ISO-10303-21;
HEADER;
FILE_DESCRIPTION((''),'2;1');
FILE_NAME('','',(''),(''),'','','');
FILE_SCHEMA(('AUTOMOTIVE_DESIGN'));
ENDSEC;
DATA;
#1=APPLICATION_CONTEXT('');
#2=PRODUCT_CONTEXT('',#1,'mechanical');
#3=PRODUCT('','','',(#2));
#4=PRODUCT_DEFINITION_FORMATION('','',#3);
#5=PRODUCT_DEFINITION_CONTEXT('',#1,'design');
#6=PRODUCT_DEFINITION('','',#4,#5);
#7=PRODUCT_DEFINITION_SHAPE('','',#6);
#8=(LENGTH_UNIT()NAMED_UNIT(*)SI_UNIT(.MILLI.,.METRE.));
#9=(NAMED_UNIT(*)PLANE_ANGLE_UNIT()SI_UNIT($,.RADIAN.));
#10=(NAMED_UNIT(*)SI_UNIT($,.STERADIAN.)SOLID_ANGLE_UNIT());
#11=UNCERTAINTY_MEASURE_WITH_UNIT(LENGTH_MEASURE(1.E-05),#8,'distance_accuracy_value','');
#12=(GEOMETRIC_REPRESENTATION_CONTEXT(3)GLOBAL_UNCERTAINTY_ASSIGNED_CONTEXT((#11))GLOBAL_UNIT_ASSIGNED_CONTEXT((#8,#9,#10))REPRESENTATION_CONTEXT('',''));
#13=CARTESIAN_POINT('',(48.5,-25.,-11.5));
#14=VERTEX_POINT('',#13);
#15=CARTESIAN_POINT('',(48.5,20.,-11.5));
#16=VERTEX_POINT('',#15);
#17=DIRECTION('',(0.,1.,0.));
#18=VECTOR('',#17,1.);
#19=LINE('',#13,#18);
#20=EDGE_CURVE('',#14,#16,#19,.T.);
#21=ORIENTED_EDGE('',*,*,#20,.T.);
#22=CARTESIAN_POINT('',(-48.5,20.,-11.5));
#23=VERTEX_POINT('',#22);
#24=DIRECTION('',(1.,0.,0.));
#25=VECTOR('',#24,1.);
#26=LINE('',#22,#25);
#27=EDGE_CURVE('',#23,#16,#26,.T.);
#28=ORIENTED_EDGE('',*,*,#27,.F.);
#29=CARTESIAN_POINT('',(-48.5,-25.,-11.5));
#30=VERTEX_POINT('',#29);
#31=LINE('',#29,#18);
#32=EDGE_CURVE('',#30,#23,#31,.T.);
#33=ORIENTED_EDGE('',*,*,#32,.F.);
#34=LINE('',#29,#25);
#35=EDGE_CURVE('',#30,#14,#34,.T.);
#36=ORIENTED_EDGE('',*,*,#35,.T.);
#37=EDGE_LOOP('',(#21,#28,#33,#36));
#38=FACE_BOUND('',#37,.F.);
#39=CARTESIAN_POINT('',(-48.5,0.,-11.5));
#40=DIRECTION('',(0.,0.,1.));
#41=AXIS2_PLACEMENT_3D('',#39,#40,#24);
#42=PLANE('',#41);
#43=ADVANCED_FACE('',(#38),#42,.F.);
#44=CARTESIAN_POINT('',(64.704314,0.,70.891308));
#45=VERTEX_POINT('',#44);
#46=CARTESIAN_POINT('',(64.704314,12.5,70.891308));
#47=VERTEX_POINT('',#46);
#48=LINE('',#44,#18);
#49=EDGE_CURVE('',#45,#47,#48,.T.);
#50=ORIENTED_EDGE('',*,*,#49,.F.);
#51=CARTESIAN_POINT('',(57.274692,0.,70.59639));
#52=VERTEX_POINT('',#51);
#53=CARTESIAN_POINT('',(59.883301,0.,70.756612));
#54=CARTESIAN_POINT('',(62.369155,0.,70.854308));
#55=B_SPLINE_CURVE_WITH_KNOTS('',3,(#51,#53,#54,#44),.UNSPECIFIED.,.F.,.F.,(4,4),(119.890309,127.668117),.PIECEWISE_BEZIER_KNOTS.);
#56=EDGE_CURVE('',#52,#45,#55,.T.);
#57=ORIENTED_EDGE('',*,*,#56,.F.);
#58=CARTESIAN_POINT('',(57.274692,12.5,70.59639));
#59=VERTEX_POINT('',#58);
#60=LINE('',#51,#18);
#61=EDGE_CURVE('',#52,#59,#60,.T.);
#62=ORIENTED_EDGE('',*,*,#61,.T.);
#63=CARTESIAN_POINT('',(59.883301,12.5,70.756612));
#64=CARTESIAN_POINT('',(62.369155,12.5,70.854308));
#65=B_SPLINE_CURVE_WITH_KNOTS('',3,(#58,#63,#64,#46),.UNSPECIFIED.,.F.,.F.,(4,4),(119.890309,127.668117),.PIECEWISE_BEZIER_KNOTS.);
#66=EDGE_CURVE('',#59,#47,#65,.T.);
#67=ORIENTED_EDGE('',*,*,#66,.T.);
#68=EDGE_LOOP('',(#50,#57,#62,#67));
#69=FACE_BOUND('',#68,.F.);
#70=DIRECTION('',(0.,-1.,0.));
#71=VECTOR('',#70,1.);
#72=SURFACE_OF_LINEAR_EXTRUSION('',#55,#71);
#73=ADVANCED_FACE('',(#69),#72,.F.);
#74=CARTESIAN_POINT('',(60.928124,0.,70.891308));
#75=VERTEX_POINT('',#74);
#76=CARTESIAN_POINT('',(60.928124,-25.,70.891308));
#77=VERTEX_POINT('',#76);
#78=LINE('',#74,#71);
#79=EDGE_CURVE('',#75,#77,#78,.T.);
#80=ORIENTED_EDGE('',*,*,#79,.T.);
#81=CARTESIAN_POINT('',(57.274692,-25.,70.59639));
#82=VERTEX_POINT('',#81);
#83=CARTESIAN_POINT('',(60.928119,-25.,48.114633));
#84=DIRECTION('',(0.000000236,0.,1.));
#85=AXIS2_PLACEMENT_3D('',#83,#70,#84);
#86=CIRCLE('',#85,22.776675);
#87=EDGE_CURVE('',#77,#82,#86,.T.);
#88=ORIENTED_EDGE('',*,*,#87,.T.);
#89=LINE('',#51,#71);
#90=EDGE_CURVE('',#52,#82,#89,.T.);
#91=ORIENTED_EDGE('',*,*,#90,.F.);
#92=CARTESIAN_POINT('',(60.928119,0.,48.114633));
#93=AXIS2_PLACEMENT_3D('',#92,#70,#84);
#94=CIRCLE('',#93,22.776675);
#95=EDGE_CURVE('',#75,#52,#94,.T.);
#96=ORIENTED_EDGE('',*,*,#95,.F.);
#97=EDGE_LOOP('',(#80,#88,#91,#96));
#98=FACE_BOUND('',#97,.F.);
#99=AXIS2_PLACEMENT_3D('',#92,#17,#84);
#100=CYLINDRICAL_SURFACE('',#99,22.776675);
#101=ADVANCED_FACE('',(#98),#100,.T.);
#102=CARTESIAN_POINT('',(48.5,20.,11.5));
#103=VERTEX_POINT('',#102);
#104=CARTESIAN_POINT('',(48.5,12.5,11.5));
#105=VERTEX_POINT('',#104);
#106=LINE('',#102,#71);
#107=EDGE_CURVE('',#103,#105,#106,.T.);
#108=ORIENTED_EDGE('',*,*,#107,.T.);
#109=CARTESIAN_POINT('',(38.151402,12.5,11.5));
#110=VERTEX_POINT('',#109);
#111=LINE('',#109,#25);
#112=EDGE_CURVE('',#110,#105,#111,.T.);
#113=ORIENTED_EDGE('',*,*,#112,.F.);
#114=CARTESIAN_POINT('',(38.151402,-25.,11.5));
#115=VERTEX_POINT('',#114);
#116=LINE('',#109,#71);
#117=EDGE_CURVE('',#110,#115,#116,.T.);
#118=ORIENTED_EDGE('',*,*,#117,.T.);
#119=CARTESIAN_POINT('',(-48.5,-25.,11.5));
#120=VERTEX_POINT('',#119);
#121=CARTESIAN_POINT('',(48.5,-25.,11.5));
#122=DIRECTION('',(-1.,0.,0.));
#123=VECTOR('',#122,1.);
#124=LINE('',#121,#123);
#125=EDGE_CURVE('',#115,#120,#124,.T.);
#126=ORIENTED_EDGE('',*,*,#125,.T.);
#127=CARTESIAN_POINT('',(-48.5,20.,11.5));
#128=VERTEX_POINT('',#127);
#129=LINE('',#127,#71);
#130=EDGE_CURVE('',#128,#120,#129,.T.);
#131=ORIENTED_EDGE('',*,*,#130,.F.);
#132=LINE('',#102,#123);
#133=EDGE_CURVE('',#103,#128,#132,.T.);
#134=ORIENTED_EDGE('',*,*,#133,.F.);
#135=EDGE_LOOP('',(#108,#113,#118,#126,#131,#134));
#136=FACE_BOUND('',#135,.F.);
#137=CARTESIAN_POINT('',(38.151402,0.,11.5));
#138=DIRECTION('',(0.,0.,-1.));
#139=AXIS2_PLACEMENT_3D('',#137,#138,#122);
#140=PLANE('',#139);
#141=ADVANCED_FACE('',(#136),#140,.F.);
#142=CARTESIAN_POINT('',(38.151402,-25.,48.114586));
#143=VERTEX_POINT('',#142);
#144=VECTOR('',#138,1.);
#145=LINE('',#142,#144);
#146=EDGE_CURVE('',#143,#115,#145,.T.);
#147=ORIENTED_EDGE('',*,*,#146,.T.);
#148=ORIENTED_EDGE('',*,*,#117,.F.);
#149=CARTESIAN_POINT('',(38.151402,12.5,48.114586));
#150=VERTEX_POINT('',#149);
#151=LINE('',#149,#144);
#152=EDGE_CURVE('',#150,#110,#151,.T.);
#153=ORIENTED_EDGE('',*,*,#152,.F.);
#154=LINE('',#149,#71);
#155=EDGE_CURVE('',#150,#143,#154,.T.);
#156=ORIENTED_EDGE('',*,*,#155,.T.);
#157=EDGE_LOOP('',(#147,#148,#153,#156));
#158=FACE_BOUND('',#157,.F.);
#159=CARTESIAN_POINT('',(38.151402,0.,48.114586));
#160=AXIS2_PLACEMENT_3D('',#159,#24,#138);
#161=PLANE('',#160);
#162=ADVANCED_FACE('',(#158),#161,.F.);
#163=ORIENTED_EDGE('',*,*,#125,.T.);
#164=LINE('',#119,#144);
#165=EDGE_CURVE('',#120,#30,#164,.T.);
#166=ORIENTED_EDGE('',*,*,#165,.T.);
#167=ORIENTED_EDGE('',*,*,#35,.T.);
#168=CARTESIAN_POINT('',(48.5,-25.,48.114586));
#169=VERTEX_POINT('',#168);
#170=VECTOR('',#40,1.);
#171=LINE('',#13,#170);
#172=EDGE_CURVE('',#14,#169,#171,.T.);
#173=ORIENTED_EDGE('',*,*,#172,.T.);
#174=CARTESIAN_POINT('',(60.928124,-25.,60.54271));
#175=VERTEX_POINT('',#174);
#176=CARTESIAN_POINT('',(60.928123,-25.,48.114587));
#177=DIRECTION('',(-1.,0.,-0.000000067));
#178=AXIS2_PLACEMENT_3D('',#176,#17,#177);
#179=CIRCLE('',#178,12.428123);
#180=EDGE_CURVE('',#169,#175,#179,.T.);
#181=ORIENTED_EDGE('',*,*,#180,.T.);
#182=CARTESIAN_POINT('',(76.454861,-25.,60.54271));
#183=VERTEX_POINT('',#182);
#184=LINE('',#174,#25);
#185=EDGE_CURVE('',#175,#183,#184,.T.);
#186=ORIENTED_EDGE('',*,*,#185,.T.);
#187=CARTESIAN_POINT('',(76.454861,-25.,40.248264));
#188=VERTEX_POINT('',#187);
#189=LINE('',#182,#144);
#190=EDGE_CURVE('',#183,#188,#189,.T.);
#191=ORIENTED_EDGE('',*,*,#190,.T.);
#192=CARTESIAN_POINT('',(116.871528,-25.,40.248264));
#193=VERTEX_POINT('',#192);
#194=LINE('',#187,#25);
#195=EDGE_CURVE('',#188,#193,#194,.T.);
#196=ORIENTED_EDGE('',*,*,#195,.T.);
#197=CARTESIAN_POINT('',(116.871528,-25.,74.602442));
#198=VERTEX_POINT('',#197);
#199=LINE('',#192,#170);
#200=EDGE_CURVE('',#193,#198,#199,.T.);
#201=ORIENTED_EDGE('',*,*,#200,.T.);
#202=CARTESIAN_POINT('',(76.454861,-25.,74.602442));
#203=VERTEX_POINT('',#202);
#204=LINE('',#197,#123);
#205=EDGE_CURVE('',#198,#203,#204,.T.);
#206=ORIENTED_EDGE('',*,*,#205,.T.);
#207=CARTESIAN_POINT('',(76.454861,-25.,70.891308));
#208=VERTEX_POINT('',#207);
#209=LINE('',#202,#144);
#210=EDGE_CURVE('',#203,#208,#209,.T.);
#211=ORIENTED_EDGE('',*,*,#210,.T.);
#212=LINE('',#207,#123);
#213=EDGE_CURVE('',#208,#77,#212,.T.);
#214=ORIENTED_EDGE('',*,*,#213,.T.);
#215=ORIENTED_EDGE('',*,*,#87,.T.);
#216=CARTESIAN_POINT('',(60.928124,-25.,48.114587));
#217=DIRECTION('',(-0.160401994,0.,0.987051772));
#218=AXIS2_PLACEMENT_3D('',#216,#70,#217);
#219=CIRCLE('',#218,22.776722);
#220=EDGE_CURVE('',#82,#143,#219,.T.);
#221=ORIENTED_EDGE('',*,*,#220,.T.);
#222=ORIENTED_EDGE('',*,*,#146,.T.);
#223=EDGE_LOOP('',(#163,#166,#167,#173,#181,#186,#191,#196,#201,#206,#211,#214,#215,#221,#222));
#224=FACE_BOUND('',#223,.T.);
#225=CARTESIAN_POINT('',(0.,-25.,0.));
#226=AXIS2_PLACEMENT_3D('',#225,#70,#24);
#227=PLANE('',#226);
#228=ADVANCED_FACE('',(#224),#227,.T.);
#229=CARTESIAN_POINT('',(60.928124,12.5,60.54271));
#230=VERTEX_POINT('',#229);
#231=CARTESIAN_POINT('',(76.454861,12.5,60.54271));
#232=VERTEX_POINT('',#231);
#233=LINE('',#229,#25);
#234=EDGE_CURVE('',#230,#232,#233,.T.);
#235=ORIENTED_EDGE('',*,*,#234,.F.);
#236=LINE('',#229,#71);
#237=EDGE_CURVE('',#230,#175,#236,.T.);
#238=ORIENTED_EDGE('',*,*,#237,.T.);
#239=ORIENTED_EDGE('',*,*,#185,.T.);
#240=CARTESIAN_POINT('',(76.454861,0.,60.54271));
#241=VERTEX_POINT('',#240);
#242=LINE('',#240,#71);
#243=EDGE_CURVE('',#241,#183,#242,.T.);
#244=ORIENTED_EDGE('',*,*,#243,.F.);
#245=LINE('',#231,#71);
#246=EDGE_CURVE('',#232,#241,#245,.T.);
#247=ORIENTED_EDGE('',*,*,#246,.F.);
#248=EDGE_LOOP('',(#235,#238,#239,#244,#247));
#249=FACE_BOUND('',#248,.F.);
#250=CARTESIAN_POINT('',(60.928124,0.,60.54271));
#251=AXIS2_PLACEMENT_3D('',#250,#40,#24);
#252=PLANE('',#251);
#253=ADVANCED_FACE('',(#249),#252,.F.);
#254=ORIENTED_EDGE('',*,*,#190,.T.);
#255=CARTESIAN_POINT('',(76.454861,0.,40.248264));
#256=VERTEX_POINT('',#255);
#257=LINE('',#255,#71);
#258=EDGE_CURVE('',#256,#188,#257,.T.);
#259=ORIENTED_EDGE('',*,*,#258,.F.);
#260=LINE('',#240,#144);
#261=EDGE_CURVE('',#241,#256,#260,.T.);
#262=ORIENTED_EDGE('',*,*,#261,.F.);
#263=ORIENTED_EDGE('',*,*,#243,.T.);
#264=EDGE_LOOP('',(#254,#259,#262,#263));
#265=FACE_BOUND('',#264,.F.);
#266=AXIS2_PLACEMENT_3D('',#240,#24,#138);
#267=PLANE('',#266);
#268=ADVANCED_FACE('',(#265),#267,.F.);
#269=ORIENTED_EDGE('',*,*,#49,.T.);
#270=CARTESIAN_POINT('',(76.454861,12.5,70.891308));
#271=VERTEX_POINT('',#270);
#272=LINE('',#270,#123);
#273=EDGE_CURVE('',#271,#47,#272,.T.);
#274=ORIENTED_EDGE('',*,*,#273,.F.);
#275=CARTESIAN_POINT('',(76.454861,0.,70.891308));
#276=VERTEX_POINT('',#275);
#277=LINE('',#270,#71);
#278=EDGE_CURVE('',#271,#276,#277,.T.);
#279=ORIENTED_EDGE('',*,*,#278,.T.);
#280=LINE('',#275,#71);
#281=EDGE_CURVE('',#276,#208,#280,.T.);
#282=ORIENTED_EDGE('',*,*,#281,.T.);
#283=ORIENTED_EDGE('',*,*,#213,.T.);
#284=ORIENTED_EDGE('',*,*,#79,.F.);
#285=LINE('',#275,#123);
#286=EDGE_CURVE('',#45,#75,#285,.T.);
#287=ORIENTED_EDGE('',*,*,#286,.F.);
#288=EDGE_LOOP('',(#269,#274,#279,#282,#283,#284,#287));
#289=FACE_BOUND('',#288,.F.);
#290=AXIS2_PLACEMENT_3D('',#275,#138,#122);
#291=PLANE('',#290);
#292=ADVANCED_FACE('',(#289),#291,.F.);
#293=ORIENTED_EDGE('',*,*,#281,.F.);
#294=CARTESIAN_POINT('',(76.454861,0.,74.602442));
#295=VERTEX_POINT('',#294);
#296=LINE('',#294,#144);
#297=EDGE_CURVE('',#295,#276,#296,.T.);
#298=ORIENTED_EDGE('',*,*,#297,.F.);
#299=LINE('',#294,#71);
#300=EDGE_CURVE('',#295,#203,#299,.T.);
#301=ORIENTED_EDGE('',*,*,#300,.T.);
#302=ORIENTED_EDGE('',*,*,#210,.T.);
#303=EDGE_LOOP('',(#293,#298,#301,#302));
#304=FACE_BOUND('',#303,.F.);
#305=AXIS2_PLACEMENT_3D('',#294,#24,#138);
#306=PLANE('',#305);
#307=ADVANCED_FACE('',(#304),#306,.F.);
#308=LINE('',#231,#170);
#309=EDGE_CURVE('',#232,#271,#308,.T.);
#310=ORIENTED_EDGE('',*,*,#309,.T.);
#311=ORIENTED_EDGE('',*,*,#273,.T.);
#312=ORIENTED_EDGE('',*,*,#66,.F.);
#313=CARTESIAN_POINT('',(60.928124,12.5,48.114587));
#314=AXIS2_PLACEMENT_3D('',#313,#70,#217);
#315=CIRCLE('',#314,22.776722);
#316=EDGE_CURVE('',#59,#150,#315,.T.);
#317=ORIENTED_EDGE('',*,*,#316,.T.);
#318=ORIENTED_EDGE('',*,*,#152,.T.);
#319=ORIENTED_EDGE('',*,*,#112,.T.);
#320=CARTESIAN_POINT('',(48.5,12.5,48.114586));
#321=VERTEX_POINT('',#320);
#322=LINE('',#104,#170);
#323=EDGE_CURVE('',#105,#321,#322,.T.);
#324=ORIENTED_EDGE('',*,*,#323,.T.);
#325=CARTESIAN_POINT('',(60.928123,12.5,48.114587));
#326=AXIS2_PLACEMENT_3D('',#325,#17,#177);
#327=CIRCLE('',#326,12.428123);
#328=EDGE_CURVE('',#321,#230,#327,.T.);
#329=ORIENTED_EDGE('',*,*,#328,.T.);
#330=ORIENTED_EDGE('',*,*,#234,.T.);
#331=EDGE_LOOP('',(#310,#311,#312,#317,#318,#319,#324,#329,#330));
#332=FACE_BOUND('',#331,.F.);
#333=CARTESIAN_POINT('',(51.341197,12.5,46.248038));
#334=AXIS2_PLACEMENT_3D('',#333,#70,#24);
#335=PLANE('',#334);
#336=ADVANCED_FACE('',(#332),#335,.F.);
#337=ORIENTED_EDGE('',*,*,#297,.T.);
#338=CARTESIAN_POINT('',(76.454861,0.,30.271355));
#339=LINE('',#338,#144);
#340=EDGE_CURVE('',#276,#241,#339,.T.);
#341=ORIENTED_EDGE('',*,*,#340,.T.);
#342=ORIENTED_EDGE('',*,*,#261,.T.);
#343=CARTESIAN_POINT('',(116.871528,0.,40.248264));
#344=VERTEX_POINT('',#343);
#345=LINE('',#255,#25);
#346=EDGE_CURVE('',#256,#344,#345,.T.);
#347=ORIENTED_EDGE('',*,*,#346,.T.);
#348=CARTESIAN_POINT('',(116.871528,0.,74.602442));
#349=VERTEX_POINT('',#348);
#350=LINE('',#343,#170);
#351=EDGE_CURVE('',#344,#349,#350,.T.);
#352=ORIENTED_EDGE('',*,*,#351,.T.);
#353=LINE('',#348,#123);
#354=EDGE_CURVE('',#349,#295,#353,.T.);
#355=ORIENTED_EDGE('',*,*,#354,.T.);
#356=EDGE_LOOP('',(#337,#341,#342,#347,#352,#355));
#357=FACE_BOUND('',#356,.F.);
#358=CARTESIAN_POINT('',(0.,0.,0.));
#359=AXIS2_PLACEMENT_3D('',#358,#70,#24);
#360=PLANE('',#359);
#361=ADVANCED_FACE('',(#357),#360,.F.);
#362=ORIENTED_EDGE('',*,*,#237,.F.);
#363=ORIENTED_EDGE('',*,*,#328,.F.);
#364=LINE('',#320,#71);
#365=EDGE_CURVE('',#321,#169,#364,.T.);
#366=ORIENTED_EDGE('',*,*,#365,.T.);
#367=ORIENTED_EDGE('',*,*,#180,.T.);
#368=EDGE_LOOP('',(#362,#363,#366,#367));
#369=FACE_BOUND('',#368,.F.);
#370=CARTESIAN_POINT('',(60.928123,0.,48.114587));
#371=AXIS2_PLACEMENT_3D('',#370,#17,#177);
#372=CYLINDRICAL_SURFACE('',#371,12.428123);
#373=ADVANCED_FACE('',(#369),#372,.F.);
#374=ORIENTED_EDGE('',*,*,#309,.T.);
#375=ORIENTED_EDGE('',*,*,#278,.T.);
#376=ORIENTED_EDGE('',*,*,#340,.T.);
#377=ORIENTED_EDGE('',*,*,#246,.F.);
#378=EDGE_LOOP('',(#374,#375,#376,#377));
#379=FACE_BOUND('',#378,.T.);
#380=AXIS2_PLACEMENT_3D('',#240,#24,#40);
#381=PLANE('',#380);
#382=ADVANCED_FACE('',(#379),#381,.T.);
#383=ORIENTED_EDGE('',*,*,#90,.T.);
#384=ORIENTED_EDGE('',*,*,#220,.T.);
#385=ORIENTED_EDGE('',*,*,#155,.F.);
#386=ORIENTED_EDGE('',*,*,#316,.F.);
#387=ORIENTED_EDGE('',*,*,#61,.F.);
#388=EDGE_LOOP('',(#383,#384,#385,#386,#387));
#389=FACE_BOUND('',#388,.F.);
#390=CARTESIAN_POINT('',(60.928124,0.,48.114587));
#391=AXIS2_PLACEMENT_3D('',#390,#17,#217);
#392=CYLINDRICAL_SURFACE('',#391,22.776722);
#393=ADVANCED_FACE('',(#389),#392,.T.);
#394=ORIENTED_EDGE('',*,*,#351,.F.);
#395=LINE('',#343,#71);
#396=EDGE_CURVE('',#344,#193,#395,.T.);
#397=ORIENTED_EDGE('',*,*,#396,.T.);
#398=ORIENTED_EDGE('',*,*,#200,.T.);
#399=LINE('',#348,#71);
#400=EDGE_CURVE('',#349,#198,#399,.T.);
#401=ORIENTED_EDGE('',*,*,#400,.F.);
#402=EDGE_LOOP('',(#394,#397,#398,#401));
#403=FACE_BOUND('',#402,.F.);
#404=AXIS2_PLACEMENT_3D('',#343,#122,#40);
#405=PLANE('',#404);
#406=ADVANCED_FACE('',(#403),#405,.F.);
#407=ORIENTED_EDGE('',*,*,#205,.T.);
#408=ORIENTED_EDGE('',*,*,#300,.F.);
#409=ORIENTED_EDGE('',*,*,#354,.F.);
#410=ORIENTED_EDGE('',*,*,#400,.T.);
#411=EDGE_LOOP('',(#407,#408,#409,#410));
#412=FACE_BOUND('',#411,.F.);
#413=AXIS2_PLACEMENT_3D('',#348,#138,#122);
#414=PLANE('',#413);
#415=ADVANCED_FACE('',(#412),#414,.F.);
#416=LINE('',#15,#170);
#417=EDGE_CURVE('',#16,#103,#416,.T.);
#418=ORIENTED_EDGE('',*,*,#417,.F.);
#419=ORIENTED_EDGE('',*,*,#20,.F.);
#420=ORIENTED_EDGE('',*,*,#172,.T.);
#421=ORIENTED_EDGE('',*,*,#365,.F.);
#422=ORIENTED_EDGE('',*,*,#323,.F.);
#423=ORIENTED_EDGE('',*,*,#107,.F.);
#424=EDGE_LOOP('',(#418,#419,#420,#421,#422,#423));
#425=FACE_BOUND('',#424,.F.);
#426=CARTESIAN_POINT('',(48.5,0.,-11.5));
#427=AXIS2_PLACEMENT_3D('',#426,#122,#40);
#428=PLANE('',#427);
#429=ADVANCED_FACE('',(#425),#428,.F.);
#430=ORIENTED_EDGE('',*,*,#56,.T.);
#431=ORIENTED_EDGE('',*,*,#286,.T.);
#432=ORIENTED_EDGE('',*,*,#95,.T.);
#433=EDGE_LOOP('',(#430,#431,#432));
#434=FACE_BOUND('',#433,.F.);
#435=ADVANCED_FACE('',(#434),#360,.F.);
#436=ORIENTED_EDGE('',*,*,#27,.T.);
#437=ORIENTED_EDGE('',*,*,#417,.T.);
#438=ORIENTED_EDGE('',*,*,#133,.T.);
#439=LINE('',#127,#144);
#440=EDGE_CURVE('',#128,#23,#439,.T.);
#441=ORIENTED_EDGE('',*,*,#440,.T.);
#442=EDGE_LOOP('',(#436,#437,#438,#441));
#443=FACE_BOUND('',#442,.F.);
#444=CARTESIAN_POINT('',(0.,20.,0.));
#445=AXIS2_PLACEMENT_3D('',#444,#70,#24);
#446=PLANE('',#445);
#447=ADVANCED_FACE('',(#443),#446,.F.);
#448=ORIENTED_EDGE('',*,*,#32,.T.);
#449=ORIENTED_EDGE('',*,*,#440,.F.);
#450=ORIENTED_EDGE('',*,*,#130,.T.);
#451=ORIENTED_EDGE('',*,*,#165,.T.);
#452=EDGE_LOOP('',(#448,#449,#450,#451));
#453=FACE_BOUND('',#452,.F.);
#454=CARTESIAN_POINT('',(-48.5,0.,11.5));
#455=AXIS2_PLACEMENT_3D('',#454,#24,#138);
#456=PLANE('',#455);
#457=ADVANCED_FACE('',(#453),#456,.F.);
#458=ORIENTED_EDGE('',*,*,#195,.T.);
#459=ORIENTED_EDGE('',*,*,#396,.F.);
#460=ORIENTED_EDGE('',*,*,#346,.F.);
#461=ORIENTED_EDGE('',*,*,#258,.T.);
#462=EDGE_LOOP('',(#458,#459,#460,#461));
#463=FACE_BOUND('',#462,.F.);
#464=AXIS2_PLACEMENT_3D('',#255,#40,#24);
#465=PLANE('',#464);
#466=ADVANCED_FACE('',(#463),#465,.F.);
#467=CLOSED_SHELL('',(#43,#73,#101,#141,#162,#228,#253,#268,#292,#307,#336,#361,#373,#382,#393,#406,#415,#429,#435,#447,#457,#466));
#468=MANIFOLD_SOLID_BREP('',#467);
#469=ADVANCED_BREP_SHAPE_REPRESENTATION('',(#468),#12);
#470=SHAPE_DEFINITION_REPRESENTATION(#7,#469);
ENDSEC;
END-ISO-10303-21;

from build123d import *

# Parameters (mm, degrees)
F1_DEPTH = 20
F2_DEPTH = 12.5
F3_DEPTH = 25
F4_DEPTH = 25


with BuildPart() as f1:
    # F0 (on Front) → F1 (new body, symmetric)
    with BuildSketch(Plane.XZ):
        Polygon((48.5, -11.5), (48.5, 11.5), (38.151402, 11.5), (-48.5, 11.5), (-48.5, -11.5), align=None)
    extrude(amount=F1_DEPTH, both=True)

    # F0 (on Front) → F2 (join, symmetric)
    with BuildSketch(Plane.XZ):
        with BuildLine():
            Line((38.151402, 11.5), (48.5, 11.5))
            Line((48.5, 11.5), (48.5, 48.114586))
            ThreePointArc((48.5, 48.114586), (52.140113, 56.902597), (60.928124, 60.54271))
            Line((60.928124, 60.54271), (76.454861, 60.54271))
            Line((76.454861, 60.54271), (76.454861, 70.891308))
            Line((76.454861, 70.891308), (64.704314, 70.891308))
            add(Edge.make_bspline(
                [(57.274692, 70.59639), (59.883301, 70.756612), (62.369155, 70.854308), (64.704314, 70.891308)],
                knots=[119.890309, 119.890309, 119.890309, 119.890309, 127.668117, 127.668117, 127.668117, 127.668117], degree=3))
            ThreePointArc((57.274692, 70.59639), (43.578884, 62.872057), (38.151402, 48.114586))
            Line((38.151402, 48.114586), (38.151402, 11.5))
        make_face()
    extrude(amount=F2_DEPTH, both=True)

    # F0 (on Front) → F3 (join)
    with BuildSketch(Plane.XZ):
        Polygon((48.5, -11.5), (48.5, 11.5), (38.151402, 11.5), (-48.5, 11.5), (-48.5, -11.5), align=None)
        with BuildLine():
            Line((38.151402, 11.5), (48.5, 11.5))
            Line((48.5, 11.5), (48.5, 48.114586))
            ThreePointArc((48.5, 48.114586), (52.140113, 56.902597), (60.928124, 60.54271))
            Line((60.928124, 60.54271), (76.454861, 60.54271))
            Line((76.454861, 60.54271), (76.454861, 70.891308))
            Line((76.454861, 70.891308), (64.704314, 70.891308))
            add(Edge.make_bspline(
                [(57.274692, 70.59639), (59.883301, 70.756612), (62.369155, 70.854308), (64.704314, 70.891308)],
                knots=[119.890309, 119.890309, 119.890309, 119.890309, 127.668117, 127.668117, 127.668117, 127.668117], degree=3))
            ThreePointArc((57.274692, 70.59639), (43.578884, 62.872057), (38.151402, 48.114586))
            Line((38.151402, 48.114586), (38.151402, 11.5))
        make_face()
        with BuildLine():
            ThreePointArc((60.928124, 70.891308), (59.095466, 70.817459), (57.274692, 70.59639))
            add(Edge.make_bspline(
                [(57.274692, 70.59639), (59.883301, 70.756612), (62.369155, 70.854308), (64.704314, 70.891308)],
                knots=[119.890309, 119.890309, 119.890309, 119.890309, 127.668117, 127.668117, 127.668117, 127.668117], degree=3))
            Line((64.704314, 70.891308), (60.928124, 70.891308))
        make_face()
        Polygon((76.454861, 70.891308), (76.454861, 60.54271), (76.454861, 40.248264), (116.871528, 40.248264), (116.871528, 74.602442), (76.454861, 74.602442), align=None)
    extrude(amount=F3_DEPTH)

    # F0 (on Front) → F4 (join)
    with BuildSketch(Plane.XZ):
        Polygon((48.5, -11.5), (48.5, 11.5), (38.151402, 11.5), (-48.5, 11.5), (-48.5, -11.5), align=None)
        with BuildLine():
            Line((38.151402, 11.5), (48.5, 11.5))
            Line((48.5, 11.5), (48.5, 48.114586))
            ThreePointArc((48.5, 48.114586), (52.140113, 56.902597), (60.928124, 60.54271))
            Line((60.928124, 60.54271), (76.454861, 60.54271))
            Line((76.454861, 60.54271), (76.454861, 70.891308))
            Line((76.454861, 70.891308), (64.704314, 70.891308))
            add(Edge.make_bspline(
                [(57.274692, 70.59639), (59.883301, 70.756612), (62.369155, 70.854308), (64.704314, 70.891308)],
                knots=[119.890309, 119.890309, 119.890309, 119.890309, 127.668117, 127.668117, 127.668117, 127.668117], degree=3))
            ThreePointArc((57.274692, 70.59639), (43.578884, 62.872057), (38.151402, 48.114586))
            Line((38.151402, 48.114586), (38.151402, 11.5))
        make_face()
        with BuildLine():
            ThreePointArc((60.928124, 70.891308), (59.095466, 70.817459), (57.274692, 70.59639))
            add(Edge.make_bspline(
                [(57.274692, 70.59639), (59.883301, 70.756612), (62.369155, 70.854308), (64.704314, 70.891308)],
                knots=[119.890309, 119.890309, 119.890309, 119.890309, 127.668117, 127.668117, 127.668117, 127.668117], degree=3))
            Line((64.704314, 70.891308), (60.928124, 70.891308))
        make_face()
        Polygon((76.454861, 70.891308), (76.454861, 60.54271), (76.454861, 40.248264), (116.871528, 40.248264), (116.871528, 74.602442), (76.454861, 74.602442), align=None)
    extrude(amount=F4_DEPTH)


solid = f1.part
